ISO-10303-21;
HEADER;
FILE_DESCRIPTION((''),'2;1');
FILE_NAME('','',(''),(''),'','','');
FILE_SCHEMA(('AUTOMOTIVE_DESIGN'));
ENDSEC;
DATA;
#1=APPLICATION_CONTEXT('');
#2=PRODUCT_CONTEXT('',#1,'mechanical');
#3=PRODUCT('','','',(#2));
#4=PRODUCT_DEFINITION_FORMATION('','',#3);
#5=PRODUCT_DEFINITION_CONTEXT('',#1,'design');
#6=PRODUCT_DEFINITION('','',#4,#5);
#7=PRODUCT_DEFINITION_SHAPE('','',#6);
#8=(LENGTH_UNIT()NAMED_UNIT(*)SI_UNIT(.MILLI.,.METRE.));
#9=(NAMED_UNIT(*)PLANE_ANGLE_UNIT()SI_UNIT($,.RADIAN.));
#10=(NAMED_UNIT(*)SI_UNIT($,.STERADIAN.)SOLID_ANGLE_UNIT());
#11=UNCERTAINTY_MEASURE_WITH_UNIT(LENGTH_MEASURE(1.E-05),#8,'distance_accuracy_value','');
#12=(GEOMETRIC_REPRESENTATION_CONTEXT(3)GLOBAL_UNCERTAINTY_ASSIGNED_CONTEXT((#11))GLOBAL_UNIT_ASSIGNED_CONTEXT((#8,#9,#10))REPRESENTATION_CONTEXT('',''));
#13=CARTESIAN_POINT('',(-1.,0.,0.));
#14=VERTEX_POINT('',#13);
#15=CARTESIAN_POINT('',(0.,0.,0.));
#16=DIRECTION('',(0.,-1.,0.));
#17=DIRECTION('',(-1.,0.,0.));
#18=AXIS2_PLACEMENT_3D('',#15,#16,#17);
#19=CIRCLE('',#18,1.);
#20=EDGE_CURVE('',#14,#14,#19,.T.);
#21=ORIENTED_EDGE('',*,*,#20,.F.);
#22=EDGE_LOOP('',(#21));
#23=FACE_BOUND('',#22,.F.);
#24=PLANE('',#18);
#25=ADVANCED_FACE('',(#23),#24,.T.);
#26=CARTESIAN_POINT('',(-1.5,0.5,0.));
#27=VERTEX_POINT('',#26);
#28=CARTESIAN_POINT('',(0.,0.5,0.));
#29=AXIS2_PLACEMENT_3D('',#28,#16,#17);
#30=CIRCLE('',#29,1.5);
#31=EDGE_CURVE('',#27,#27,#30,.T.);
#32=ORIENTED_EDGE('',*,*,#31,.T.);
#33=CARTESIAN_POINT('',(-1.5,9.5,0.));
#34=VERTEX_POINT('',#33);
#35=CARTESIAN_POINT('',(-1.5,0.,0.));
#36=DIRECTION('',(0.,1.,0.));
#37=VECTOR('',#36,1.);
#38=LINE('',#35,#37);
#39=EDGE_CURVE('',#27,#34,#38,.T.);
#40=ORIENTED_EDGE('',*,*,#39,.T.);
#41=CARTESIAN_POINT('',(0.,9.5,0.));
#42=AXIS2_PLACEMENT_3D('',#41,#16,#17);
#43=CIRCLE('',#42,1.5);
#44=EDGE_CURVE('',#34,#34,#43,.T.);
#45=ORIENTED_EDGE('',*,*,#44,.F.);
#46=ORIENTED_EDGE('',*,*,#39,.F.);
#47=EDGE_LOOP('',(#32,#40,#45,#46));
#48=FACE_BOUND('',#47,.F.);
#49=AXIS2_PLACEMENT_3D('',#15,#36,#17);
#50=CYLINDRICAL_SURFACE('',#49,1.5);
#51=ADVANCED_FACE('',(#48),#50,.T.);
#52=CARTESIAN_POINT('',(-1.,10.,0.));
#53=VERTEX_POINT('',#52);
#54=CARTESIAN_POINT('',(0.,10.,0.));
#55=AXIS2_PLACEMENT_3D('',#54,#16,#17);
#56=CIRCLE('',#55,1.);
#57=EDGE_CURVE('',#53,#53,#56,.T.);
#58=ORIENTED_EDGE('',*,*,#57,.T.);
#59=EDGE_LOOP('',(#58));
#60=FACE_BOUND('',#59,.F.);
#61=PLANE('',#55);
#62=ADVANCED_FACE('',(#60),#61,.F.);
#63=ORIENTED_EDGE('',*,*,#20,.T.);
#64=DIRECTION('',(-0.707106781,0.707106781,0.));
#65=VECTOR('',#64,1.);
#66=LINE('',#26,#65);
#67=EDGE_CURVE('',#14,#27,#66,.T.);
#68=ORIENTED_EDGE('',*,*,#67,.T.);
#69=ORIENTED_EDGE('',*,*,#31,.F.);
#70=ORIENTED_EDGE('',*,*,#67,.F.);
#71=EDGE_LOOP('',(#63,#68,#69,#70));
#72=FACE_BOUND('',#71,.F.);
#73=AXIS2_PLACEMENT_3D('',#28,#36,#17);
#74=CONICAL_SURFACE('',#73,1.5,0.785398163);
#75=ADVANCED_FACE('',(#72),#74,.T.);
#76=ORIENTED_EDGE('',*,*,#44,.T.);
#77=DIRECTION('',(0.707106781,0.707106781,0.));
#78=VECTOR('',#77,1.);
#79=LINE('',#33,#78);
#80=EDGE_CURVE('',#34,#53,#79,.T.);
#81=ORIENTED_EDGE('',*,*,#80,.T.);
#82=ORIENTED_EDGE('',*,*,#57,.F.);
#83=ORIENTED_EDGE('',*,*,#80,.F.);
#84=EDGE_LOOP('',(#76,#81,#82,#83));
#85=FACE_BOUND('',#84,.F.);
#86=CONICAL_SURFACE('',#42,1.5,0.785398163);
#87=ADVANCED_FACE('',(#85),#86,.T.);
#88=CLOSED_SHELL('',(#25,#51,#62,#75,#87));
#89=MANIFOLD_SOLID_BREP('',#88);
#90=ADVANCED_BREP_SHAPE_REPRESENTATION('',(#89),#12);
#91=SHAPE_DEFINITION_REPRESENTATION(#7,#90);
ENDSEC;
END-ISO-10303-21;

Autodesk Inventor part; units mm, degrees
ref_plane "YZ Plane" through (0, 0, 0) normal (1, 0, 0) x (0, 1, 0)
ref_plane "XZ Plane" through (0, 0, 0) normal (0, 1, 0) x (-1, 0, 0)
ref_plane "XY Plane" through (0, 0, 0) normal (0, 0, 1) x (1, 0, 0)
sketch "Эскиз1" plane through (0, 0, 0) normal (0, 0, 1) x (1, 0, 0)
  line L0 (0, 0) -> (-1.5, 0)
  line L1 (-1.5, 0) -> (-1.5, 10)
  line L2 (-1.5, 10) -> (0, 10)
  line L3 (0, 10) -> (0, 0)
  dimension "d0" = 1.5
  dimension "d1" = 10
revolve "Вращение1" add sketch "Эскиз1" angle 360 about axis through (0, 10, 0) along (0, -1, 0)
chamfer "Фаска1" distance 0.5 angle 45 2 edges at (1.5, 10, 0) (1.5, 0, 0)
properties part number "штифт"
